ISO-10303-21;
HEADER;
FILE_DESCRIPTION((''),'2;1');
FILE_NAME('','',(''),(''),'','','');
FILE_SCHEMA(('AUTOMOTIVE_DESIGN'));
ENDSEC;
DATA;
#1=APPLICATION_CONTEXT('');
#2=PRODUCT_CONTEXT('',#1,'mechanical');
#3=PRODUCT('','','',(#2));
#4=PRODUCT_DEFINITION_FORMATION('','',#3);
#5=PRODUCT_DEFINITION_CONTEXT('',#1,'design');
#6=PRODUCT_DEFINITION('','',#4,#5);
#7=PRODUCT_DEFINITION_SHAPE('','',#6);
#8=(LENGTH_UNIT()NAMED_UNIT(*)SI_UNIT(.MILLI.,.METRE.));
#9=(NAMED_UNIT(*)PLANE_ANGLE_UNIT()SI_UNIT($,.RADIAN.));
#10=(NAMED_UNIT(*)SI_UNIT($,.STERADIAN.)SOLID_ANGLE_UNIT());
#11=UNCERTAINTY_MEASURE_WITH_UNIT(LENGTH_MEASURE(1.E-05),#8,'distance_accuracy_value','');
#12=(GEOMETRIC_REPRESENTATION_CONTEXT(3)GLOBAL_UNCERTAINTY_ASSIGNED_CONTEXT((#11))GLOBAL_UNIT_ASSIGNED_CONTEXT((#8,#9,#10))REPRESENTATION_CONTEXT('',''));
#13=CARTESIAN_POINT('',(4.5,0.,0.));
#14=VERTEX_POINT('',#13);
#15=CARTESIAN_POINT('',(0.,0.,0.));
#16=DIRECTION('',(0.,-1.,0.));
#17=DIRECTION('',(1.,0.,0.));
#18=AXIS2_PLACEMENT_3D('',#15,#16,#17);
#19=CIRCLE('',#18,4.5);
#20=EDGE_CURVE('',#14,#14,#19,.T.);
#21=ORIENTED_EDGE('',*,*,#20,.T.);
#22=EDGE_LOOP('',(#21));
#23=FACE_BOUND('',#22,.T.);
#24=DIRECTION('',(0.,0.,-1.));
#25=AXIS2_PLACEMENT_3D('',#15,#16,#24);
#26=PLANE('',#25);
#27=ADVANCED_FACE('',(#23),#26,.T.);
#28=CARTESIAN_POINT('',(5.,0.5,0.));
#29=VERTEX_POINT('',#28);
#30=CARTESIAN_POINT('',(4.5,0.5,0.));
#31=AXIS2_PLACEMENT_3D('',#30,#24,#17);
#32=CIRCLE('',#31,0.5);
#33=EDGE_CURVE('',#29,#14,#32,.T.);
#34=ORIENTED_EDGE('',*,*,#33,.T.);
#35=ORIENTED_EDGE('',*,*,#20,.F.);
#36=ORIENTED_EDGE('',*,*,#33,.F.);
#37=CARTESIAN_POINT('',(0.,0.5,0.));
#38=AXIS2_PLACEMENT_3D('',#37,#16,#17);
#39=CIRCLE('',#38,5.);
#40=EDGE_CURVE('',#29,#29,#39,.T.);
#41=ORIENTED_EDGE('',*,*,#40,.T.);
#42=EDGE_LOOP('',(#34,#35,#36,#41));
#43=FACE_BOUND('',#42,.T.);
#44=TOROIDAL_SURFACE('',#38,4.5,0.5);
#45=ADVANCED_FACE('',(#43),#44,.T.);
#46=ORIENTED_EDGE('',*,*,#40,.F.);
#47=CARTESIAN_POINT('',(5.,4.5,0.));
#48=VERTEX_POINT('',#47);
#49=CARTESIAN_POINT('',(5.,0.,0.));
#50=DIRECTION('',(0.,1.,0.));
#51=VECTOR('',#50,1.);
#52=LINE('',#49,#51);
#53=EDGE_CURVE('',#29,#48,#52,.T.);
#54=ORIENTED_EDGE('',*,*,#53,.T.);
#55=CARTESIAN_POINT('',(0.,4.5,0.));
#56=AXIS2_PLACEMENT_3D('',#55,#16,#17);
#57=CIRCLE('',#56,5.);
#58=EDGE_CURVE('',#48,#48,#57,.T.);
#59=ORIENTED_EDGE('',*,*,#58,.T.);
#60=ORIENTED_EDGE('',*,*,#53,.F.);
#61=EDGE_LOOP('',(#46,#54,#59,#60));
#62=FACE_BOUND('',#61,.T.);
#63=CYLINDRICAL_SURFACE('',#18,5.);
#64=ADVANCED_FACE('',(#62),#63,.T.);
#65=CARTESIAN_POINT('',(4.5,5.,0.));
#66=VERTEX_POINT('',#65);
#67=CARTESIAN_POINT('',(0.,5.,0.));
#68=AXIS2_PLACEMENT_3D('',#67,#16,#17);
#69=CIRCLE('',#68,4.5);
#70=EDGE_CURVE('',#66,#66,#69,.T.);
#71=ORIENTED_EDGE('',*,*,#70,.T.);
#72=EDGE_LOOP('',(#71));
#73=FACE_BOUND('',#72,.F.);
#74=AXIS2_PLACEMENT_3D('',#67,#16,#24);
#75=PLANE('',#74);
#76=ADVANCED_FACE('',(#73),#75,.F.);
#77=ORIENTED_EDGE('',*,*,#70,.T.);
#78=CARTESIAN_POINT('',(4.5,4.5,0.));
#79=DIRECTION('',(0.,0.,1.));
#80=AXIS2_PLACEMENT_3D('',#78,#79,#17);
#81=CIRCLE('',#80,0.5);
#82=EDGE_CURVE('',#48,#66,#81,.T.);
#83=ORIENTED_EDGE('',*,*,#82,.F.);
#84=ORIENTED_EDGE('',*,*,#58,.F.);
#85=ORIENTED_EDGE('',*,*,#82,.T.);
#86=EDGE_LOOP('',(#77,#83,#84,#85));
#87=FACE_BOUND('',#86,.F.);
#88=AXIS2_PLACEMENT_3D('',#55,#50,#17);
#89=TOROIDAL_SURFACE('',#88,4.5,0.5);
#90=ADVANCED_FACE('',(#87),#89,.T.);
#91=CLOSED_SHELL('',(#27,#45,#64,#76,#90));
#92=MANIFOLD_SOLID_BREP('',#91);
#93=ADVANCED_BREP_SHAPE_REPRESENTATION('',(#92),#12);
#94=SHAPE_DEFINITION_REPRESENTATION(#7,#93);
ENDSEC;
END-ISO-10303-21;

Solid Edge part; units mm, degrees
sketch "Sketch1" plane through (0, 0, 0) normal (0, -1, 0) x (1, 0, 0)
  circle A0 centre (0, 0) radius 5
  dimension "D1" = 10
extrude "Protrusion1" add sketch "Sketch1" against normal blind 5
fillet "Verrundung_1" radius 0.5 2 edges at (-5, 0, 0) (-5, 5, 0)
